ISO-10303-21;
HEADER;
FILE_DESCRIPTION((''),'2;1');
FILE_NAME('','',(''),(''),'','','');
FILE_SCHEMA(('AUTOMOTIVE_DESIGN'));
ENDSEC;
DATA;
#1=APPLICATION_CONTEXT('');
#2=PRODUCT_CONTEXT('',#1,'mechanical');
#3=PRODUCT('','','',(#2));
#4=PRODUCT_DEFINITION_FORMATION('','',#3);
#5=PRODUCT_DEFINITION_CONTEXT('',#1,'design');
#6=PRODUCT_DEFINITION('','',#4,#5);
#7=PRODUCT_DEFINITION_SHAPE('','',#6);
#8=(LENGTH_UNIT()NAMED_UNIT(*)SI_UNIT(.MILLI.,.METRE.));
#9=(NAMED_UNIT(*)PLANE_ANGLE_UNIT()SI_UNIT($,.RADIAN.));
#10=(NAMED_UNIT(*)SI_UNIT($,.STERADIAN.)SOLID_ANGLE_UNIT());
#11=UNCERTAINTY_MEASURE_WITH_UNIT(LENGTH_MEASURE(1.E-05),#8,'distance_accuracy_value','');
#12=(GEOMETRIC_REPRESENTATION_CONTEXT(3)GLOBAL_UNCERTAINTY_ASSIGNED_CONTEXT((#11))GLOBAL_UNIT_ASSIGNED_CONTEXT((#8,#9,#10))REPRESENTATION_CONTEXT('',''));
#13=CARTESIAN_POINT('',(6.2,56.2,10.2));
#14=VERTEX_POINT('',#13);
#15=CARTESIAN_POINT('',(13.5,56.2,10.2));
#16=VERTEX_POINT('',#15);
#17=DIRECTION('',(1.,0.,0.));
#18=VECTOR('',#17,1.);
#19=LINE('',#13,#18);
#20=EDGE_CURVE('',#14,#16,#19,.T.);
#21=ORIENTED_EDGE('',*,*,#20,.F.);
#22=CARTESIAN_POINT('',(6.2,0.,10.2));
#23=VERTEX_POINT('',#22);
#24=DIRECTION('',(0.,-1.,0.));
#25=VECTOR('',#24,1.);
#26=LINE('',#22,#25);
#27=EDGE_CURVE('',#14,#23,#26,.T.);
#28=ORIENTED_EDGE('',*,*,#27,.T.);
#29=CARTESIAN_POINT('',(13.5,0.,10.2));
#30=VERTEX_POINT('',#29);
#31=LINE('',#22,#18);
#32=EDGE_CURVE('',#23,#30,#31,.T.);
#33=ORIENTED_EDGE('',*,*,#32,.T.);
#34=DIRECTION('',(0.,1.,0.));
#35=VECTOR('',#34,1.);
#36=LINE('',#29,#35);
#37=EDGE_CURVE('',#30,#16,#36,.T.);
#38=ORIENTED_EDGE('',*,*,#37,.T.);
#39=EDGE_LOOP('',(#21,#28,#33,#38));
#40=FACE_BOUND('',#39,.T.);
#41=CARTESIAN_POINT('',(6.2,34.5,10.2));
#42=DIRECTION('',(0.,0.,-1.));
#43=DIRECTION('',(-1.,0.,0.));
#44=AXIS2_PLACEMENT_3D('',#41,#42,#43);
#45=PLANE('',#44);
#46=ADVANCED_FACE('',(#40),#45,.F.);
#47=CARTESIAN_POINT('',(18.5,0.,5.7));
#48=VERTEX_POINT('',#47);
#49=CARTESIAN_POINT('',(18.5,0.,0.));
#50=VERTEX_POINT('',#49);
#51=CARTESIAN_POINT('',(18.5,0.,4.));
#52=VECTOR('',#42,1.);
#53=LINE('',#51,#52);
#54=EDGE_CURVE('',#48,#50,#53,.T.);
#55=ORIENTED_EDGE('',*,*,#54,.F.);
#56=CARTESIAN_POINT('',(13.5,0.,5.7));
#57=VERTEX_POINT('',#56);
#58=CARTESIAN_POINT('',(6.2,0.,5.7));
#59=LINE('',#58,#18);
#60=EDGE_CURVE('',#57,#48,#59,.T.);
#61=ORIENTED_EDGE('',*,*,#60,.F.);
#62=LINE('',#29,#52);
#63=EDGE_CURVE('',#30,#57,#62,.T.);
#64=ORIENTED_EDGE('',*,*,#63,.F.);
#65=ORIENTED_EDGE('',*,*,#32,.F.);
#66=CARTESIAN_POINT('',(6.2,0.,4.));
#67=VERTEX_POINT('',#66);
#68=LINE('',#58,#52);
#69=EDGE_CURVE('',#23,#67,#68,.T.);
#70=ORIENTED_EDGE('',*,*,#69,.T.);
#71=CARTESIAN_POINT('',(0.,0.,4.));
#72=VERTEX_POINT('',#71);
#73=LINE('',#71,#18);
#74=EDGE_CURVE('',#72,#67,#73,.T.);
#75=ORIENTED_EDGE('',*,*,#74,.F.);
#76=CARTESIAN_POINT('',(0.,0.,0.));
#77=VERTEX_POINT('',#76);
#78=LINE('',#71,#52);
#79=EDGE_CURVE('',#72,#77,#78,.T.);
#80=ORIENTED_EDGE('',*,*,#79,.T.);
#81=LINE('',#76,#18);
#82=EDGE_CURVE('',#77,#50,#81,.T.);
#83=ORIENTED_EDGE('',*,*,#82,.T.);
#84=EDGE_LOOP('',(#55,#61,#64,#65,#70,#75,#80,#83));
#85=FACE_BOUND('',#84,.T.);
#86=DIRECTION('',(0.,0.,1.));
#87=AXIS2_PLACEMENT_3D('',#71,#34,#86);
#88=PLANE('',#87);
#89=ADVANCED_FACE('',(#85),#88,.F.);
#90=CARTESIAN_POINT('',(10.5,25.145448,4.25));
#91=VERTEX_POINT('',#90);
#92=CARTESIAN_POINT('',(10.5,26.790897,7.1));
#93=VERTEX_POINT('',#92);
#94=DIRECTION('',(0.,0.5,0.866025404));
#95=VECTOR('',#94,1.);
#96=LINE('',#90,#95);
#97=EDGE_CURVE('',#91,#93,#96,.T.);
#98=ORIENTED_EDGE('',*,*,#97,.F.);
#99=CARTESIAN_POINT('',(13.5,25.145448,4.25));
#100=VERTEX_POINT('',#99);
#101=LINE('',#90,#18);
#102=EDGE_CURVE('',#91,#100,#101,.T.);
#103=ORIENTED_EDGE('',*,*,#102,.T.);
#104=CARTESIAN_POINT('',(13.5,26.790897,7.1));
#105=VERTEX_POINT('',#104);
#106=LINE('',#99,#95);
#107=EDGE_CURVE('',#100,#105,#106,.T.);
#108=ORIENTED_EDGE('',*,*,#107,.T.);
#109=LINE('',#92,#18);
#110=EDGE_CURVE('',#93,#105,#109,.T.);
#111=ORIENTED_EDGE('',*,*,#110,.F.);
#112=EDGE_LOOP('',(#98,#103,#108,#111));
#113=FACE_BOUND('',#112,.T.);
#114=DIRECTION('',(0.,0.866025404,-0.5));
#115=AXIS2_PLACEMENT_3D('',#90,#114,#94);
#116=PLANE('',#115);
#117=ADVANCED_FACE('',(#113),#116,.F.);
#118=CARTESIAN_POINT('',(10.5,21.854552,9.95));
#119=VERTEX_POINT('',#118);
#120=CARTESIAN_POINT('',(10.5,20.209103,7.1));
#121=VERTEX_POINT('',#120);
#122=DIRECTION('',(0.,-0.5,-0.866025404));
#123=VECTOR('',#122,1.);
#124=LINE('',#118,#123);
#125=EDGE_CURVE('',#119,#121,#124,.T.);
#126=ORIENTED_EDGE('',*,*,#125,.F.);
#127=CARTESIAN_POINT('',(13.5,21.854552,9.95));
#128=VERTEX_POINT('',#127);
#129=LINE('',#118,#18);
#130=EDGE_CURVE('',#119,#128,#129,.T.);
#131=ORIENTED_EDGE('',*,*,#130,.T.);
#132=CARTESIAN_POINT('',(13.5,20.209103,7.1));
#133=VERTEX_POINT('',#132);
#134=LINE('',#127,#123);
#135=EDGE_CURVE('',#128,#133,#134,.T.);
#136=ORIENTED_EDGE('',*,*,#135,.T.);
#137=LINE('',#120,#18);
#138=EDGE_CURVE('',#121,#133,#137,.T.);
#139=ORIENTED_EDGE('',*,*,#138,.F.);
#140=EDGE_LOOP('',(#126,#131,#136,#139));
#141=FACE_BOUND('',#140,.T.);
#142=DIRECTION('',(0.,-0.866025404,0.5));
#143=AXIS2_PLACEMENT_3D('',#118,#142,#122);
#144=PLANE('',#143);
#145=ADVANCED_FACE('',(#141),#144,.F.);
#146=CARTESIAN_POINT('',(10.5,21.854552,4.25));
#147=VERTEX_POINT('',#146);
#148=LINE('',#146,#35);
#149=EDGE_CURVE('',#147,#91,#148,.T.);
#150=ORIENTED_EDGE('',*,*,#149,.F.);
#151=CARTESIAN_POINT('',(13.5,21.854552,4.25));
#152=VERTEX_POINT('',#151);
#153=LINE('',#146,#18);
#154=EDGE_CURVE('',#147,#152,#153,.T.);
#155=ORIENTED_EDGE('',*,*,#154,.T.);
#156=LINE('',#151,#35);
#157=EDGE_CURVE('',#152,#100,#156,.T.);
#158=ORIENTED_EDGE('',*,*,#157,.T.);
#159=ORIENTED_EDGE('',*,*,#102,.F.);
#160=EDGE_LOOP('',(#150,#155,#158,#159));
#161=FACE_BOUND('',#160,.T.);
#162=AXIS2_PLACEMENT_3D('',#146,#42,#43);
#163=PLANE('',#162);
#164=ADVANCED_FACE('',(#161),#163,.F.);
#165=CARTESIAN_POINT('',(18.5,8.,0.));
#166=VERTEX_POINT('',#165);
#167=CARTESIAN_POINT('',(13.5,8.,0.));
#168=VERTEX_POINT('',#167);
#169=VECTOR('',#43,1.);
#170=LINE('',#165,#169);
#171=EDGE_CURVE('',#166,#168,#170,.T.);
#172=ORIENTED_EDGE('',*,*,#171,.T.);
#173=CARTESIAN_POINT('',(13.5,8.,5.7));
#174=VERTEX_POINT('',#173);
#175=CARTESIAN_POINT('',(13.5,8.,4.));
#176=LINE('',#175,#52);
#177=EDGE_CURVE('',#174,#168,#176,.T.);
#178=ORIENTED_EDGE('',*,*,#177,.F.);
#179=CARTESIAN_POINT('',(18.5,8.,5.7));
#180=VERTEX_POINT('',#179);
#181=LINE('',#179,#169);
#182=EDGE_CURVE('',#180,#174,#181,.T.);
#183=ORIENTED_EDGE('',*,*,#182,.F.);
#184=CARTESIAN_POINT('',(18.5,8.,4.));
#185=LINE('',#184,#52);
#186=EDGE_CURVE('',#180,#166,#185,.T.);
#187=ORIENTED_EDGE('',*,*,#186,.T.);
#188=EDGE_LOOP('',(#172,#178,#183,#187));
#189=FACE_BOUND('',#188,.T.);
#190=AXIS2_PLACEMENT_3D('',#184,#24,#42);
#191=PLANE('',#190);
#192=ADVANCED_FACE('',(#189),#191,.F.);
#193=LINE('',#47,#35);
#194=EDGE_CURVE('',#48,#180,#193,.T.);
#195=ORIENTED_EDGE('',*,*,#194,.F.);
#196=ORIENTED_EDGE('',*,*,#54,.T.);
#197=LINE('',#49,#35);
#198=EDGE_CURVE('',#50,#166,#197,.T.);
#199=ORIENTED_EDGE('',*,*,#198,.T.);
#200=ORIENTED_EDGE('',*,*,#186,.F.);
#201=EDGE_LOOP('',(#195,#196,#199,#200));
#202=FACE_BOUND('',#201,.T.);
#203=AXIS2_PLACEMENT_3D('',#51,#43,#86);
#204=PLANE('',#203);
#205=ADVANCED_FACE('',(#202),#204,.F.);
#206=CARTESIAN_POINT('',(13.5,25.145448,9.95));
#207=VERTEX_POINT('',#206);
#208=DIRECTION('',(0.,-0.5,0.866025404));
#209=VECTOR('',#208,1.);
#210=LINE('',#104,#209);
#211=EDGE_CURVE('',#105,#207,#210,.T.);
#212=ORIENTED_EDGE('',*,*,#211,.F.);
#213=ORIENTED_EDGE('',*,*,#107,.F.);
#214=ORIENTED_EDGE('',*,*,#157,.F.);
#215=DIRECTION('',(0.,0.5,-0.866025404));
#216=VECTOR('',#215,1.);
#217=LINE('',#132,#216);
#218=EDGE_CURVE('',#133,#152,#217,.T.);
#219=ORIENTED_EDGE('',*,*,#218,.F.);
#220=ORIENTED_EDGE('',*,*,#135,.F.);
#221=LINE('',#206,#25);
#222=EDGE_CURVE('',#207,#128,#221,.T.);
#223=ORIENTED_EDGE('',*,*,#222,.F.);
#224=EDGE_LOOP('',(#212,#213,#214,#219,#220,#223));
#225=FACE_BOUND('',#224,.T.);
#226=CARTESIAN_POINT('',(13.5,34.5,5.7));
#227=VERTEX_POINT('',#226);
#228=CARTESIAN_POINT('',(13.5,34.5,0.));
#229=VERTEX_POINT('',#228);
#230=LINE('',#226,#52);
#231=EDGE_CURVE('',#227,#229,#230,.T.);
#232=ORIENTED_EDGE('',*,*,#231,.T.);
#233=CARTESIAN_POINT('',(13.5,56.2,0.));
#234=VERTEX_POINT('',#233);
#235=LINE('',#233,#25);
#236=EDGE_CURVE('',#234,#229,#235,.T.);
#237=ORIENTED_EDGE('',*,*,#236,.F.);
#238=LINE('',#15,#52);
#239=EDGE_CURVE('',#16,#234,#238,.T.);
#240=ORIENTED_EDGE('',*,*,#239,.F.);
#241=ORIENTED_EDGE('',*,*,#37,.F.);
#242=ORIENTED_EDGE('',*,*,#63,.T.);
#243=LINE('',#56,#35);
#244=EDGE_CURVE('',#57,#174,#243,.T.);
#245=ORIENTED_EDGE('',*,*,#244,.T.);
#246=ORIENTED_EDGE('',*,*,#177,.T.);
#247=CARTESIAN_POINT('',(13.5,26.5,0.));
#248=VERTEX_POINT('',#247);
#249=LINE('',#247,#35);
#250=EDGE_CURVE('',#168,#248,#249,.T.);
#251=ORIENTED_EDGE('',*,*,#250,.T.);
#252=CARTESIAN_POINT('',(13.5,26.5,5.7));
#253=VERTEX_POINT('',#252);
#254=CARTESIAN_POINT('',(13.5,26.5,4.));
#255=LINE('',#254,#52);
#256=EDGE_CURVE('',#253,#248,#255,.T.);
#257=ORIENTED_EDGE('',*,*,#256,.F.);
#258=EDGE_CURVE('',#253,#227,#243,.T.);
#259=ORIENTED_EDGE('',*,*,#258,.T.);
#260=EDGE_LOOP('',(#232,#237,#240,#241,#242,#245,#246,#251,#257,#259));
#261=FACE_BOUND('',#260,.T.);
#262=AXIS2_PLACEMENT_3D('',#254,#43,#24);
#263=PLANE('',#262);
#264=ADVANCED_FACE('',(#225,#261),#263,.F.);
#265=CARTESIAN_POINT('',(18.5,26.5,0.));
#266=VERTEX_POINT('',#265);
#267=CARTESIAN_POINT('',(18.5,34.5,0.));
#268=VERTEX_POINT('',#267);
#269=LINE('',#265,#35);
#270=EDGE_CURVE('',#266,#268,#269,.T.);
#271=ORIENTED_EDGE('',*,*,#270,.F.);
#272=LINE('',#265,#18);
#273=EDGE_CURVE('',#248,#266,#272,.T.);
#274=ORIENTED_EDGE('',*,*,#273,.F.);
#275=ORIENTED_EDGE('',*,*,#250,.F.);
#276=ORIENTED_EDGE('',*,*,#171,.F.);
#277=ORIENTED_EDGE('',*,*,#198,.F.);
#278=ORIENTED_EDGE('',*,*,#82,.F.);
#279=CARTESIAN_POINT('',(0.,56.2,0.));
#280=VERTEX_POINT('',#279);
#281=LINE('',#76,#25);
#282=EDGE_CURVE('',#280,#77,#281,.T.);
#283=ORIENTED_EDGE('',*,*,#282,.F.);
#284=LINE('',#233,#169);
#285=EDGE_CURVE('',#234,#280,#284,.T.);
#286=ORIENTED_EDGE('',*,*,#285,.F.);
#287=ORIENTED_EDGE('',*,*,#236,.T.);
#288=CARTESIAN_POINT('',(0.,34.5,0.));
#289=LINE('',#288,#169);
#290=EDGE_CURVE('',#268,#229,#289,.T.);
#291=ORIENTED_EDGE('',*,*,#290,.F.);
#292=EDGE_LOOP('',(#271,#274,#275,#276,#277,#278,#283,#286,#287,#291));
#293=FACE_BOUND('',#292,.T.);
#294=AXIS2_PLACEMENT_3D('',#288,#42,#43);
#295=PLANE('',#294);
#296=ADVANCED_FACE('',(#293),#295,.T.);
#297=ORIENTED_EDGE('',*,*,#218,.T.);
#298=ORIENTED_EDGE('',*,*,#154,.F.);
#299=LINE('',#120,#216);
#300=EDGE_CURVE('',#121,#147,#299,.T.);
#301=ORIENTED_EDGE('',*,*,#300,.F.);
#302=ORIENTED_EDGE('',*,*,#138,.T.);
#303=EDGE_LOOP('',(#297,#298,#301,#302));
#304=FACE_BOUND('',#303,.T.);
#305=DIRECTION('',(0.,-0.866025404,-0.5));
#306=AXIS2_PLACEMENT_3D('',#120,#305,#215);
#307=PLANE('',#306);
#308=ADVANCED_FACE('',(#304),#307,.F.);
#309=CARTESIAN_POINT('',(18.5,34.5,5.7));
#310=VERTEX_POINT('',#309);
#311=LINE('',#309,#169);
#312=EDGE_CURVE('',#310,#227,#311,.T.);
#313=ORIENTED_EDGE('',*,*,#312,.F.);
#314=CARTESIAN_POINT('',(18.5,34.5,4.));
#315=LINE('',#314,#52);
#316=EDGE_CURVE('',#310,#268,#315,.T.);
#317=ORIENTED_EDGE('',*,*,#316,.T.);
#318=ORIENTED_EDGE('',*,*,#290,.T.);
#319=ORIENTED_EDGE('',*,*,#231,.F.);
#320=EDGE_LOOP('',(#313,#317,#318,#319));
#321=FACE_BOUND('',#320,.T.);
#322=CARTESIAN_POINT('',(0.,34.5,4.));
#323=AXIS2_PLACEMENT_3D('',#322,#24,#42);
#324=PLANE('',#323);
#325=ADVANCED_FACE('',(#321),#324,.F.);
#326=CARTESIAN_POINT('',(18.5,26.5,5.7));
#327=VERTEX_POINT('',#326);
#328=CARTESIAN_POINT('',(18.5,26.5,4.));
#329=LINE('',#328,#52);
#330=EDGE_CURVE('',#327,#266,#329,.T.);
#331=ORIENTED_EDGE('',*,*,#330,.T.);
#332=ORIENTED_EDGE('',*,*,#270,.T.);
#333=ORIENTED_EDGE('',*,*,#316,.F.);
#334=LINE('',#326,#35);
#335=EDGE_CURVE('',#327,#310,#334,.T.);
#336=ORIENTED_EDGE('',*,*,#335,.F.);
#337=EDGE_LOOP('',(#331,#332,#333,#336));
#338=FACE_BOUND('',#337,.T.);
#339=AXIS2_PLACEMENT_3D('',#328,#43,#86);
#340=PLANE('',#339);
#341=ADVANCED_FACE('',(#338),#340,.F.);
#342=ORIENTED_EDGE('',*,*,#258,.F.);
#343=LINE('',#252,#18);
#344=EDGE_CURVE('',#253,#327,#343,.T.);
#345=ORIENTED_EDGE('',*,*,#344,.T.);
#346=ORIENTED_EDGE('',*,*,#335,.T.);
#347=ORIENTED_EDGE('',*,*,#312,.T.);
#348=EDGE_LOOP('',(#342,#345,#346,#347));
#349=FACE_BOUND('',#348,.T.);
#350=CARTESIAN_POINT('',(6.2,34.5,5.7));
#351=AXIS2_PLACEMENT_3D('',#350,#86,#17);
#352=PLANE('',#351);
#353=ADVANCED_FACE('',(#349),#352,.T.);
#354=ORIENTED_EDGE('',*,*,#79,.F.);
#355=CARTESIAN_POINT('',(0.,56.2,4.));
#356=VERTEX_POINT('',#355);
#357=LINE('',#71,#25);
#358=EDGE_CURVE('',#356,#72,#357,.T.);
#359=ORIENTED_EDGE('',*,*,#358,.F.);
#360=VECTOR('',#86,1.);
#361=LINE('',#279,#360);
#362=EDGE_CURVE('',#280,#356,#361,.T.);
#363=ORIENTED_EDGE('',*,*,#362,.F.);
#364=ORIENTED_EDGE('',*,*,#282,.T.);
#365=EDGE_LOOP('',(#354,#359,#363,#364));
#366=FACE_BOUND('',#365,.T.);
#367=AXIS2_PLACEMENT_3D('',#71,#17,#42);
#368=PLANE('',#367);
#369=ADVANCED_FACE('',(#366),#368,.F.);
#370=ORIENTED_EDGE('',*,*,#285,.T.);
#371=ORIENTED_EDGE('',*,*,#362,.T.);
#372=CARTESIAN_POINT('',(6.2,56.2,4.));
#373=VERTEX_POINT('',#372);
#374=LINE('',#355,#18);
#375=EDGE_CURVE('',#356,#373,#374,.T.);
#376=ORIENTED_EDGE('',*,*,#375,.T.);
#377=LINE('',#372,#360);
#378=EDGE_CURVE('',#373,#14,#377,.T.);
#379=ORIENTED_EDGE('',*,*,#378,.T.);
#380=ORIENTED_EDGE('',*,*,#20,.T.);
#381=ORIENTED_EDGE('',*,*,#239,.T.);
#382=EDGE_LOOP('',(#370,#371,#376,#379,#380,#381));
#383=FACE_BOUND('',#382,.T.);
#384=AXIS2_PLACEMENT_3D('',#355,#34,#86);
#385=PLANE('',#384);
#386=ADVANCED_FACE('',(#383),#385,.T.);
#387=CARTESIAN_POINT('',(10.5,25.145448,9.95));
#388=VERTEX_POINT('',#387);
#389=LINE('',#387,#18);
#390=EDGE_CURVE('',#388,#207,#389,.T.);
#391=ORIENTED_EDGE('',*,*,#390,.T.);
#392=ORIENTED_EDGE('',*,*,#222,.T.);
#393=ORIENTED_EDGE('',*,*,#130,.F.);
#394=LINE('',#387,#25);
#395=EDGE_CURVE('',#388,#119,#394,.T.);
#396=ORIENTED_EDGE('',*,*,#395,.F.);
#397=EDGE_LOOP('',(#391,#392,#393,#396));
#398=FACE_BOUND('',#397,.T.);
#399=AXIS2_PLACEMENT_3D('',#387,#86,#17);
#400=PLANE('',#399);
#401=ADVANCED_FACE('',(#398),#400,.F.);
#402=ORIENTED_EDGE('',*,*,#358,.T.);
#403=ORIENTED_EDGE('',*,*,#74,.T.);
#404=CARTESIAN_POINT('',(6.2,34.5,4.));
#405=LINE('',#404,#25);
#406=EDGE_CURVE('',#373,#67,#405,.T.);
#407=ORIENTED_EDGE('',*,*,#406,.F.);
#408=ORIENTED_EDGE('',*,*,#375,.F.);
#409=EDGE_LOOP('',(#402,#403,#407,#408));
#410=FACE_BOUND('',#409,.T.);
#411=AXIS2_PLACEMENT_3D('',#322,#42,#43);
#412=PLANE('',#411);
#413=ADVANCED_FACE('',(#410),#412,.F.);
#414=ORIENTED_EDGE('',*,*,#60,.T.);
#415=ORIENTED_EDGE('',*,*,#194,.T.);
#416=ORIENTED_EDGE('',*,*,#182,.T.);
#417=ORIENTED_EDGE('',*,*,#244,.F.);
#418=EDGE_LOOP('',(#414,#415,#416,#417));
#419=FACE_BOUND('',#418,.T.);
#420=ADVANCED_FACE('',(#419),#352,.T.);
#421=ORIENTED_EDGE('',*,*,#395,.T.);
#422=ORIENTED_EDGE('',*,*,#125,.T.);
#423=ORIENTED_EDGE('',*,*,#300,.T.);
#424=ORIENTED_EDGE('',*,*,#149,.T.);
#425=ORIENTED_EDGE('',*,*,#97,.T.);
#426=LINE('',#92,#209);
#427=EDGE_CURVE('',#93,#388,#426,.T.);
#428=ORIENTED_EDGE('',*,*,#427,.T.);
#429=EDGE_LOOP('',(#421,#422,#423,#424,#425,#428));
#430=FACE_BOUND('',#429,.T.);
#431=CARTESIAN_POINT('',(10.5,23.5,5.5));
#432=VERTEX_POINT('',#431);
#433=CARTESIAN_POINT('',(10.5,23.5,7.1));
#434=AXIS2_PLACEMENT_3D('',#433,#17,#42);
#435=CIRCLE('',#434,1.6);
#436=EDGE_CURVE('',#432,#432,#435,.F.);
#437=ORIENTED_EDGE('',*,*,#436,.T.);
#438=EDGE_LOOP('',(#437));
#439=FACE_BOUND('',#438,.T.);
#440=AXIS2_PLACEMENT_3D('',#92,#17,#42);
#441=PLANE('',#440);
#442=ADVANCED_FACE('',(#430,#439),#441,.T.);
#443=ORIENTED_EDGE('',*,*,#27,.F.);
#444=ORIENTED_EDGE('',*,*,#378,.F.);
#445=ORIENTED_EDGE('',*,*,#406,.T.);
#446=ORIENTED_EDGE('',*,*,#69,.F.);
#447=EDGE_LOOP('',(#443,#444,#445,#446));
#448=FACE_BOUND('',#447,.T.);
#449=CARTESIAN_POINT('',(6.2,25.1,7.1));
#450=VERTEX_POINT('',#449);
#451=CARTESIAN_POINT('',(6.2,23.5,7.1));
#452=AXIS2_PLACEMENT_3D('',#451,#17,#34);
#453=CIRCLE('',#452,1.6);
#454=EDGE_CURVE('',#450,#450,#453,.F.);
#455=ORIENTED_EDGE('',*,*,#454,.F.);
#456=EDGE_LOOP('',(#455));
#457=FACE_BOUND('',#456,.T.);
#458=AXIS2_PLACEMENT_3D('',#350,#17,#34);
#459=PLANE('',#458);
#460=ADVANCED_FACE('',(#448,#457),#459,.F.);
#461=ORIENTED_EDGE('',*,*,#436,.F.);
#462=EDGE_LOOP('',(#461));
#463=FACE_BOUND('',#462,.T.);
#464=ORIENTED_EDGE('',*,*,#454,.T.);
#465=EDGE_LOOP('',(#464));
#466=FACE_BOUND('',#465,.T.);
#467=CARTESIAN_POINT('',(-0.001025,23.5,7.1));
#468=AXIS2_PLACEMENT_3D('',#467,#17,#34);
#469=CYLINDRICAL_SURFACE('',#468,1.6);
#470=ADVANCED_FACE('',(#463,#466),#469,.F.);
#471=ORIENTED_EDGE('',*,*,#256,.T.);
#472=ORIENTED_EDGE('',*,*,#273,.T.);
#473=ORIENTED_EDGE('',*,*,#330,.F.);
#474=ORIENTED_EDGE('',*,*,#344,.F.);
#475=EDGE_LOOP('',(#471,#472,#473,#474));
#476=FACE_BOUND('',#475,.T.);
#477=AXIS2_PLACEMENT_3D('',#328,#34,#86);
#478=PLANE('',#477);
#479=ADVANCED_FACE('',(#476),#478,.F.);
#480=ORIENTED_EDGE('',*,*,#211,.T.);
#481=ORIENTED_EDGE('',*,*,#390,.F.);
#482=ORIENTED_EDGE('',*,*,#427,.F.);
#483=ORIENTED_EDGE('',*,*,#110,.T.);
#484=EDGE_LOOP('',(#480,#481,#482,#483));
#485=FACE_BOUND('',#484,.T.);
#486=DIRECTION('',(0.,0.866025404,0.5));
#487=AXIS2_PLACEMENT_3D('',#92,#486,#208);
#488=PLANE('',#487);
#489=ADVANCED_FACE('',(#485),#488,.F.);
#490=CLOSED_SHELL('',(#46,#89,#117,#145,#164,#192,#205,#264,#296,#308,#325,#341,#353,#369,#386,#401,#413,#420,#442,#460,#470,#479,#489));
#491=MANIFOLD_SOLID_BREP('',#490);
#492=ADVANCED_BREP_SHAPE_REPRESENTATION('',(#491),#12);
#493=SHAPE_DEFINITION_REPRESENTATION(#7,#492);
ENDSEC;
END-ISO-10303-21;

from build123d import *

# Parameters (mm, degrees)
SALIENTE_EXTRUIR3_DEPTH = 4
SALIENTE_EXTRUIR4_DEPTH = 1.7
CROQUIS7_W              = 7.3
CROQUIS7_H              = 34.5
SALIENTE_EXTRUIR5_DEPTH = 4.5
CORTAR_EXTRUIR3_REACH   = 15.5
CROQUIS8_R              = 1.6
CORTAR_EXTRUIR4_DEPTH   = 3
SALIENTE_EXTRUIR6_DEPTH = 21.7


with BuildPart() as part:
    # Croquis5 → Saliente-Extruir3 (new body)
    with BuildSketch(Plane.XY):
        Polygon((18.5, 26.5), (18.5, 34.5), (0, 34.5), (0, 0), (18.5, 0), (18.5, 8), (13.5, 8), (13.5, 26.5), align=None)
    extrude(amount=SALIENTE_EXTRUIR3_DEPTH)

    # Croquis6 → Saliente-Extruir4 (add)
    with BuildSketch(Plane.XY.offset(4)):
        Polygon((6.2, 34.5), (6.2, 0), (18.5, 0), (18.5, 8), (13.5, 8), (13.5, 26.5), (18.5, 26.5), (18.5, 34.5), align=None)
    extrude(amount=SALIENTE_EXTRUIR4_DEPTH)

    # Croquis7 → Saliente-Extruir5 (add)
    with BuildSketch(Plane.XY.offset(5.7)):
        with Locations((9.85, 17.25)):
            Rectangle(CROQUIS7_W, CROQUIS7_H)
    extrude(amount=SALIENTE_EXTRUIR5_DEPTH)

    # Croquis8 → Cortar-Extruir3 (cut, up to next)
    with BuildSketch(Plane(origin=(13.5, 0, 0), x_dir=(0, 0, -1), z_dir=(1, 0, 0)), mode=Mode.PRIVATE) as cortar_extruir3_sk1:
        with Locations((-7.1, 23.5)):
            Circle(CROQUIS8_R)
    cortar_extruir3_tool1 = extrude(cortar_extruir3_sk1.sketch, amount=-CORTAR_EXTRUIR3_REACH, mode=Mode.PRIVATE) & part.part
    add(cortar_extruir3_tool1.solids().sort_by_distance((13.5, 23.5, 7.1))[0], mode=Mode.SUBTRACT)

    # Croquis9 → Cortar-Extruir4 (cut)
    with BuildSketch(Plane(origin=(13.5, 0, 0), x_dir=(0, 0, -1), z_dir=(1, 0, 0))):
        Polygon((-7.1, 26.790896534), (-9.95, 25.145448267), (-9.95, 21.854551733), (-7.1, 20.209103466), (-4.25, 21.854551733), (-4.25, 25.145448267), align=None)
    extrude(amount=-CORTAR_EXTRUIR4_DEPTH, mode=Mode.SUBTRACT)

    # Croquis10 → Saliente-Extruir6 (add)
    with BuildSketch(Plane(origin=(0, 34.5, 0), x_dir=(1, 0, 0), z_dir=(0, 1, 0))):
        Polygon((13.5, -5.7), (13.5, 0), (0, 0), (0, -4), (6.2, -4), (6.2, -10.2), (13.5, -10.2), align=None)
    extrude(amount=SALIENTE_EXTRUIR6_DEPTH)


solid = part.part
